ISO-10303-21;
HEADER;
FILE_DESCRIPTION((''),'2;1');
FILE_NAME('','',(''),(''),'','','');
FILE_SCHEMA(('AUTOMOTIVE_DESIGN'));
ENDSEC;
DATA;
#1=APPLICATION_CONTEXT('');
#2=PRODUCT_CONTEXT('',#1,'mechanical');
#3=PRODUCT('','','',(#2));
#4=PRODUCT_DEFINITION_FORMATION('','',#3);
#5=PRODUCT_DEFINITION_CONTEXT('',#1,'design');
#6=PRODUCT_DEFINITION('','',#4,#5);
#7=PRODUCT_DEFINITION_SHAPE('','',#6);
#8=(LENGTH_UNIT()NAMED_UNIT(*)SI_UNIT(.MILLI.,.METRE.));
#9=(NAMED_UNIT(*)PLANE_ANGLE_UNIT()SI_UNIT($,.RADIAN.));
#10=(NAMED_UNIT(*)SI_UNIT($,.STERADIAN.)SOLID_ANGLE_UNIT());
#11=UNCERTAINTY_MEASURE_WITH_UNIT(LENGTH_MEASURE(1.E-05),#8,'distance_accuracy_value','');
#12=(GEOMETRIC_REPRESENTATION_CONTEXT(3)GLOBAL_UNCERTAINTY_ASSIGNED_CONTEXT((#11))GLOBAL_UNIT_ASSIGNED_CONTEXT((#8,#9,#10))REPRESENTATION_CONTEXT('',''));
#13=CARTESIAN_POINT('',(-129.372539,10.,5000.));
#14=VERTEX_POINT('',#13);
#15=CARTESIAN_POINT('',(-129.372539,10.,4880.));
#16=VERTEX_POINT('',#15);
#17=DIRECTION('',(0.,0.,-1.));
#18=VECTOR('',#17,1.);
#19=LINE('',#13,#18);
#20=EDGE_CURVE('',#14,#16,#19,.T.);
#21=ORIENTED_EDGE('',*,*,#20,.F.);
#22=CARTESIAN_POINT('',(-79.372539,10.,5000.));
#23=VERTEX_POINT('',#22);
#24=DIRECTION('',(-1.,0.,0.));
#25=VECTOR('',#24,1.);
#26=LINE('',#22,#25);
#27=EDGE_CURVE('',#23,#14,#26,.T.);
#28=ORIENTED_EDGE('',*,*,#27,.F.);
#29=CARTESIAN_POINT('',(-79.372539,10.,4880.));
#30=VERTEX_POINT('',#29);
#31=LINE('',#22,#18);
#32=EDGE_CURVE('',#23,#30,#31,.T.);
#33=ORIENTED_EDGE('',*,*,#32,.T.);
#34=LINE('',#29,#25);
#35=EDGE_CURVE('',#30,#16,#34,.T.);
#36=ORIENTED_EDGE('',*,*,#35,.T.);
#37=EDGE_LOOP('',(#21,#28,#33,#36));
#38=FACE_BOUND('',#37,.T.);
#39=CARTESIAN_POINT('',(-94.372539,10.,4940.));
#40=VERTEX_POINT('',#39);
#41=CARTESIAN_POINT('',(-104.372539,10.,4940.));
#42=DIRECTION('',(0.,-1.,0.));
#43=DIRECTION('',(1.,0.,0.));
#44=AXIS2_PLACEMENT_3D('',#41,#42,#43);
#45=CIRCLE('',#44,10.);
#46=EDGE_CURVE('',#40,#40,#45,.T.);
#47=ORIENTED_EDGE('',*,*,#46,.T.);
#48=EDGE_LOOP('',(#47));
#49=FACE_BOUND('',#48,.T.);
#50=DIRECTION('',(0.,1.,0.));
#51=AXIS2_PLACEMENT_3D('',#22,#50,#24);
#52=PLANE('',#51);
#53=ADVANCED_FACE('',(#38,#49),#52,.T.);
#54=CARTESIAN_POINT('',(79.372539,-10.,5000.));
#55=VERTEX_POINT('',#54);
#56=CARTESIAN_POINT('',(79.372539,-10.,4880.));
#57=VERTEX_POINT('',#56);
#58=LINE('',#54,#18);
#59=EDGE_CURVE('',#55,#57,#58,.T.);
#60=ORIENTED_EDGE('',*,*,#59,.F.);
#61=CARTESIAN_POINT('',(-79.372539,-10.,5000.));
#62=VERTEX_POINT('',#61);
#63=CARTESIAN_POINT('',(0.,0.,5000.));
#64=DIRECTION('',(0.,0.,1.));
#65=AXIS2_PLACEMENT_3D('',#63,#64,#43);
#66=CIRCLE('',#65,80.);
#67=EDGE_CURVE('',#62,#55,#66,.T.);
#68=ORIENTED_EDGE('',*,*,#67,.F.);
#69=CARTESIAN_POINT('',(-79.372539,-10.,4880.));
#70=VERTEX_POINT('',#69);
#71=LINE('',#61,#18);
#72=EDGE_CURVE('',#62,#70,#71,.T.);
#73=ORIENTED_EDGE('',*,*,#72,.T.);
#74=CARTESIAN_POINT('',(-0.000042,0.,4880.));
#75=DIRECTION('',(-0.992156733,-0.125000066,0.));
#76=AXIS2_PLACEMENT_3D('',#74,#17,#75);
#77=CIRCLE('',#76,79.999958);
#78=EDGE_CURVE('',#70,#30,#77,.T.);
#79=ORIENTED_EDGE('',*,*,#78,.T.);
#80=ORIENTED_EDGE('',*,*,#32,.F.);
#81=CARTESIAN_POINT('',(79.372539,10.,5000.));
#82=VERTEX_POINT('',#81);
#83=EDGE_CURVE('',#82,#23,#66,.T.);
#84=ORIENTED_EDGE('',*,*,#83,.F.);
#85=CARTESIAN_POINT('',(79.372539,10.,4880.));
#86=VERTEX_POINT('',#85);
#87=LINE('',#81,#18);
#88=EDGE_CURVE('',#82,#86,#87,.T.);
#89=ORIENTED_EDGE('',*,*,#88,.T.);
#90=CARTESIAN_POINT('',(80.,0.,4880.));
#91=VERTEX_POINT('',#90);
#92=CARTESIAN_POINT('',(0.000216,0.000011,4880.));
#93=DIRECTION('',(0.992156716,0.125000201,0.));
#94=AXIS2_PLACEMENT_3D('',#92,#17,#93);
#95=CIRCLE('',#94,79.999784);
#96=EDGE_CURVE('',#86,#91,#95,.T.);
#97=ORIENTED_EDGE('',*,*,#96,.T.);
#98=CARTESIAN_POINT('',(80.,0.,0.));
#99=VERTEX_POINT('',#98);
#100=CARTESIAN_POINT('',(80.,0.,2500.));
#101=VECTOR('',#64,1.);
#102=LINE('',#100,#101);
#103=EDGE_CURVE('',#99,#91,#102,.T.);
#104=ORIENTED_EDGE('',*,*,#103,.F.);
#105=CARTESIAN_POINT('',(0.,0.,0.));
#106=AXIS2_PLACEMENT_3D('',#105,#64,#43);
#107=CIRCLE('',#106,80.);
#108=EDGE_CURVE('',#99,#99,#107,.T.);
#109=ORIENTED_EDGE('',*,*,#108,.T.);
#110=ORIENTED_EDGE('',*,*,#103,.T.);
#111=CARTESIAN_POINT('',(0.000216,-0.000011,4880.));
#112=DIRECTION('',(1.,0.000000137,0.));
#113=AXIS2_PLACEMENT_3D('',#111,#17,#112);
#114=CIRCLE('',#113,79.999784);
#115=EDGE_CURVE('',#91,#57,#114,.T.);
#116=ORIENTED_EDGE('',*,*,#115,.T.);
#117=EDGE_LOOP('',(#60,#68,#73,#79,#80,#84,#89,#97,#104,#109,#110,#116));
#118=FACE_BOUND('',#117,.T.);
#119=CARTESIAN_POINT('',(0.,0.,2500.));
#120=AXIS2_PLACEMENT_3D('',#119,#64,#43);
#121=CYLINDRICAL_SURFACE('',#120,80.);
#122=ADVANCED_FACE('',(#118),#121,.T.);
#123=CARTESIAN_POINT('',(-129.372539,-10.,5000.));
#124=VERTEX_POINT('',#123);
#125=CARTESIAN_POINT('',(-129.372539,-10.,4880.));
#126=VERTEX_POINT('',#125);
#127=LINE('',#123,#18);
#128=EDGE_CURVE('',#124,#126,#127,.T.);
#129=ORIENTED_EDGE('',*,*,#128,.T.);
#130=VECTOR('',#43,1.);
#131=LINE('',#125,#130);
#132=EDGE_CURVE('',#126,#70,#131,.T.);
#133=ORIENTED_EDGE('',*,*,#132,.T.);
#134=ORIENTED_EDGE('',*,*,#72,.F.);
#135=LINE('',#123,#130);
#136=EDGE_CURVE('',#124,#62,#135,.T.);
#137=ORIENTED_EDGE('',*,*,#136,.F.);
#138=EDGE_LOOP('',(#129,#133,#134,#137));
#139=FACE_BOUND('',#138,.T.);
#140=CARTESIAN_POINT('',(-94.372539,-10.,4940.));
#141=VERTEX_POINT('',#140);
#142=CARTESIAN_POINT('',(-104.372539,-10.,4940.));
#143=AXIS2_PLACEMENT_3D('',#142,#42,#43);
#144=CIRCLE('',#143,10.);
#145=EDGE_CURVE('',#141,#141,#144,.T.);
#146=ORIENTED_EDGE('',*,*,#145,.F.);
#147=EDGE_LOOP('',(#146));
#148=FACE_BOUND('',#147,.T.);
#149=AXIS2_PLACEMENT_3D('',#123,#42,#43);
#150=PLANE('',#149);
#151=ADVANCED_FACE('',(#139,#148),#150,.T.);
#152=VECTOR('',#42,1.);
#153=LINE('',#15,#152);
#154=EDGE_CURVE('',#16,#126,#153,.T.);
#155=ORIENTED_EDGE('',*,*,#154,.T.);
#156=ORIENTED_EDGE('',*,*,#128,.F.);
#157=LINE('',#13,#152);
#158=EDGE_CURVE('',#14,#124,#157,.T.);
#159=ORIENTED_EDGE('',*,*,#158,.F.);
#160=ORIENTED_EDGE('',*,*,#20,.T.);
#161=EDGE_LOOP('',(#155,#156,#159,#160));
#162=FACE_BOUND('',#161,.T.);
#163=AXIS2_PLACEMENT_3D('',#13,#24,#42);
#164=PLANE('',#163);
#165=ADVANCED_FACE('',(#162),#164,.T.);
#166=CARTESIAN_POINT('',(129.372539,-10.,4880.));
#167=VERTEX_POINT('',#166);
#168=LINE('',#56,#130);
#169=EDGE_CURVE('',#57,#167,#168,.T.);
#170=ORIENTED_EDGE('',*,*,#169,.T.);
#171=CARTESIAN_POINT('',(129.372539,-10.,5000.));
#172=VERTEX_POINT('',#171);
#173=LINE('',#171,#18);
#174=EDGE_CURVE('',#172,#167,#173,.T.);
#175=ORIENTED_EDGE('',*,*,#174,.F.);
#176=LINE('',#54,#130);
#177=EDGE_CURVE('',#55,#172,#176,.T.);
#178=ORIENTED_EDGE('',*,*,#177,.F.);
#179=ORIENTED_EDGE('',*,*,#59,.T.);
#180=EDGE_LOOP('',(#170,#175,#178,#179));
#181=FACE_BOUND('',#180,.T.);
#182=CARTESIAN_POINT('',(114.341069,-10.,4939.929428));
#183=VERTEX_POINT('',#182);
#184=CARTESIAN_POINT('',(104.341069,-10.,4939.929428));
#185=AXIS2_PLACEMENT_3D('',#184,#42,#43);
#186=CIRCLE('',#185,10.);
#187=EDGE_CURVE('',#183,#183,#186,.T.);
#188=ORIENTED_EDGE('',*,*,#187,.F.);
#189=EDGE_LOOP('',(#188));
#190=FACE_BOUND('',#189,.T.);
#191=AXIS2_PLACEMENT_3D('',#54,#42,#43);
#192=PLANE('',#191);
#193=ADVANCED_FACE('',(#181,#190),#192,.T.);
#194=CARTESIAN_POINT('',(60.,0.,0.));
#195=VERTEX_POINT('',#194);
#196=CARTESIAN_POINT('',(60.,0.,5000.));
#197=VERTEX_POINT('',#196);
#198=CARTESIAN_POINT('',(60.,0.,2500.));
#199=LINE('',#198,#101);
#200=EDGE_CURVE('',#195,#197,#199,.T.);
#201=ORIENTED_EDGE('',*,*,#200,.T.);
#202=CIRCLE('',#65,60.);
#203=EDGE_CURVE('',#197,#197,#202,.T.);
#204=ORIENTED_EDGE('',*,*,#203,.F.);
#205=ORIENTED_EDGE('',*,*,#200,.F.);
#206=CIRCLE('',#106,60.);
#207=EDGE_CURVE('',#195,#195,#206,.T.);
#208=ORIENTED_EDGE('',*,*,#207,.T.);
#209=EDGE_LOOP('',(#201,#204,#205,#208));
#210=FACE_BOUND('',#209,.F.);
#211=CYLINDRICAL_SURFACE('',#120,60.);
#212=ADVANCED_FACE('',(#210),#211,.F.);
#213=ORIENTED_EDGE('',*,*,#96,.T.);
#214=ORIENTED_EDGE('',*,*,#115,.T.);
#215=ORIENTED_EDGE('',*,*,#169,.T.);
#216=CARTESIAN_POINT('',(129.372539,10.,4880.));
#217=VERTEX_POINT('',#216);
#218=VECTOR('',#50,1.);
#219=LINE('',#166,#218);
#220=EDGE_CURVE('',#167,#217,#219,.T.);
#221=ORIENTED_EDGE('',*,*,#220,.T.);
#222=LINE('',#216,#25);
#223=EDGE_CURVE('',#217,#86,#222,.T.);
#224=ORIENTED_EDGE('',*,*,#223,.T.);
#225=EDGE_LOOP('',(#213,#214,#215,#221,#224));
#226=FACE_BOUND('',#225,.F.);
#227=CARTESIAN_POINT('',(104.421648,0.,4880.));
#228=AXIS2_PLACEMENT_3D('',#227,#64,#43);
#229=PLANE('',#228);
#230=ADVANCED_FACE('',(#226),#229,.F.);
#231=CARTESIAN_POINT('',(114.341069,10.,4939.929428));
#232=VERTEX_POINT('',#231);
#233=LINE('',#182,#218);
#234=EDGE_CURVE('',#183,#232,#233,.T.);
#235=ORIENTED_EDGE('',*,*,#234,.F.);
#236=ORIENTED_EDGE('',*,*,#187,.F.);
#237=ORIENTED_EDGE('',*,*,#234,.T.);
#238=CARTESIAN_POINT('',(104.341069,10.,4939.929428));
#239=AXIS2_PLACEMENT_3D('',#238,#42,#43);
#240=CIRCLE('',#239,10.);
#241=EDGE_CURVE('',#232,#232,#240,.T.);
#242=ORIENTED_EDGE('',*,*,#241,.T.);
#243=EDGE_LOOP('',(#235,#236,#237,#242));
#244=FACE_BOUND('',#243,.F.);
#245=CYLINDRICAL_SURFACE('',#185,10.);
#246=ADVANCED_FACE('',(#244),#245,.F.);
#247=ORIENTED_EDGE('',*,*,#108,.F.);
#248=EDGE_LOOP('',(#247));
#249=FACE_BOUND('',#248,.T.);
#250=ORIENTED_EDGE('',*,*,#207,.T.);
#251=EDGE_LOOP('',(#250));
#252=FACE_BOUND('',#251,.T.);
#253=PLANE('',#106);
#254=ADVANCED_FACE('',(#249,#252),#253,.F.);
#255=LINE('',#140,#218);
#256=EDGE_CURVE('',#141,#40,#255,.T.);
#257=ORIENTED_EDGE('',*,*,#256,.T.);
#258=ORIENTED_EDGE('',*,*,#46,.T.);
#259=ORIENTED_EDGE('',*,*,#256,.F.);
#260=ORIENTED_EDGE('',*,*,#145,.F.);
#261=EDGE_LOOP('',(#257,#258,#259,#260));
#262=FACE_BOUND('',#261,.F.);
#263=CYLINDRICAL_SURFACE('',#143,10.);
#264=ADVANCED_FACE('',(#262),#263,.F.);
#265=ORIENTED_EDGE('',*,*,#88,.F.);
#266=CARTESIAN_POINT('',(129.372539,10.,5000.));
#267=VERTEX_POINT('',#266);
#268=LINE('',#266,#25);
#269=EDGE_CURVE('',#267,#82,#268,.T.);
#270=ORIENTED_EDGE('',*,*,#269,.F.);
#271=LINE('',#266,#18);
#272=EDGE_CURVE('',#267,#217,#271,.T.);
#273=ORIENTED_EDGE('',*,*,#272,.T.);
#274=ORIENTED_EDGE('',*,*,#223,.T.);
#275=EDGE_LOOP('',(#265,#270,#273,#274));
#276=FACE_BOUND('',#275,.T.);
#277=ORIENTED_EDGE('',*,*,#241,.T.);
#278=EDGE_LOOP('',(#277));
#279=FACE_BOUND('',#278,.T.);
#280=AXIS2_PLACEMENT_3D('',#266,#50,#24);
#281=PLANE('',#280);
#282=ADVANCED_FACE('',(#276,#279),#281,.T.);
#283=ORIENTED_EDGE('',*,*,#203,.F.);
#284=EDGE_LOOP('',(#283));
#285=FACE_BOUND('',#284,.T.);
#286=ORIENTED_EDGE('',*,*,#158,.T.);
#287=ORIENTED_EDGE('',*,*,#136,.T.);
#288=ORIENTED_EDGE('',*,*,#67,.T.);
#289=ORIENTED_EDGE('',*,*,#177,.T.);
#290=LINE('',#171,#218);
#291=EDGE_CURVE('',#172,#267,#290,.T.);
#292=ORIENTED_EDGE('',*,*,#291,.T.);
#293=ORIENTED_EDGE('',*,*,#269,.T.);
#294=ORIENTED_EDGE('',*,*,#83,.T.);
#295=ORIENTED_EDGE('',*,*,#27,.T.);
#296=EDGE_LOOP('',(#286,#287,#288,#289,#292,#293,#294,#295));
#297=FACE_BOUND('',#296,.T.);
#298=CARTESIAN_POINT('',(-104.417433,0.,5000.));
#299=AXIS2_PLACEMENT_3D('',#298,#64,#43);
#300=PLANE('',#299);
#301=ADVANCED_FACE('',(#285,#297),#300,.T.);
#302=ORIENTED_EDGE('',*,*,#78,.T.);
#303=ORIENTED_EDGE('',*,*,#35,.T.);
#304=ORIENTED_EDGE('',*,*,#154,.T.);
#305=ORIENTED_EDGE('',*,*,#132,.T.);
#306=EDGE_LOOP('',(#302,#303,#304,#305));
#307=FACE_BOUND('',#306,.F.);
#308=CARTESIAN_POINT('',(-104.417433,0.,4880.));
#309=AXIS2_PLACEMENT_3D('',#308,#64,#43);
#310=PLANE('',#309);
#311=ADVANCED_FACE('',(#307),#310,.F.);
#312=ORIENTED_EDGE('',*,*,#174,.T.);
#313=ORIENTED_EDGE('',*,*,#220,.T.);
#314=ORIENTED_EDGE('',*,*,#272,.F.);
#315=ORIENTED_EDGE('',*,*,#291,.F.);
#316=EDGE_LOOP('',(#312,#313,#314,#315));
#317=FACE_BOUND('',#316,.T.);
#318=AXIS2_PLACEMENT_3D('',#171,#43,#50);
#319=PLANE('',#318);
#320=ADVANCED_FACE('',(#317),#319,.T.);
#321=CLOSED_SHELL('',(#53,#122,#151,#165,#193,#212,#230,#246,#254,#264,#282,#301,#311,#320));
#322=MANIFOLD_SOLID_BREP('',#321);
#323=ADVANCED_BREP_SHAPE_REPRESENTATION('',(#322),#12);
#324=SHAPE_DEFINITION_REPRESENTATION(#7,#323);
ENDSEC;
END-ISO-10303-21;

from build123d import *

# Parameters (mm, degrees)
F0_W     = 20
F0_H     = 5000
F3_DEPTH = 120
F4_R     = 10
F5_DEPTH = 25


with BuildPart() as f1:
    # F0 (on Front) → F1 (revolve)
    with BuildSketch(Plane.XZ):
        with Locations((70, 2500)):
            Rectangle(F0_W, F0_H)
    revolve(axis=Axis((0, 0, 2500), (0, 0, 1)))

    # F2 (on face) → F3 (join)
    with BuildSketch(Plane.XY.offset(5000)):
        with BuildLine():
            ThreePointArc((-79.372539, -10), (-80, 0), (-79.372539, 10))
            Line((-79.372539, 10), (-129.372539, 10))
            Line((-129.372539, 10), (-129.372539, -10))
            Line((-129.372539, -10), (-79.372539, -10))
        make_face()
        with BuildLine():
            Line((129.372539, 10), (79.372539, 10))
            ThreePointArc((79.372539, 10), (79.842981, 5.009833), (80, 0))
            ThreePointArc((80, 0), (79.842981, -5.009833), (79.372539, -10))
            Line((79.372539, -10), (129.372539, -10))
            Line((129.372539, -10), (129.372539, 10))
        make_face()
    extrude(amount=-F3_DEPTH)

    # F4 (on face) → F5 (cut)
    with BuildSketch(Plane.XZ.offset(10)):
        with Locations((-104.372539, 4940)):
            Circle(F4_R)
        with Locations((104.341069, 4939.929428)):
            Circle(F4_R)
    extrude(amount=-F5_DEPTH, mode=Mode.SUBTRACT)


solid = f1.part
